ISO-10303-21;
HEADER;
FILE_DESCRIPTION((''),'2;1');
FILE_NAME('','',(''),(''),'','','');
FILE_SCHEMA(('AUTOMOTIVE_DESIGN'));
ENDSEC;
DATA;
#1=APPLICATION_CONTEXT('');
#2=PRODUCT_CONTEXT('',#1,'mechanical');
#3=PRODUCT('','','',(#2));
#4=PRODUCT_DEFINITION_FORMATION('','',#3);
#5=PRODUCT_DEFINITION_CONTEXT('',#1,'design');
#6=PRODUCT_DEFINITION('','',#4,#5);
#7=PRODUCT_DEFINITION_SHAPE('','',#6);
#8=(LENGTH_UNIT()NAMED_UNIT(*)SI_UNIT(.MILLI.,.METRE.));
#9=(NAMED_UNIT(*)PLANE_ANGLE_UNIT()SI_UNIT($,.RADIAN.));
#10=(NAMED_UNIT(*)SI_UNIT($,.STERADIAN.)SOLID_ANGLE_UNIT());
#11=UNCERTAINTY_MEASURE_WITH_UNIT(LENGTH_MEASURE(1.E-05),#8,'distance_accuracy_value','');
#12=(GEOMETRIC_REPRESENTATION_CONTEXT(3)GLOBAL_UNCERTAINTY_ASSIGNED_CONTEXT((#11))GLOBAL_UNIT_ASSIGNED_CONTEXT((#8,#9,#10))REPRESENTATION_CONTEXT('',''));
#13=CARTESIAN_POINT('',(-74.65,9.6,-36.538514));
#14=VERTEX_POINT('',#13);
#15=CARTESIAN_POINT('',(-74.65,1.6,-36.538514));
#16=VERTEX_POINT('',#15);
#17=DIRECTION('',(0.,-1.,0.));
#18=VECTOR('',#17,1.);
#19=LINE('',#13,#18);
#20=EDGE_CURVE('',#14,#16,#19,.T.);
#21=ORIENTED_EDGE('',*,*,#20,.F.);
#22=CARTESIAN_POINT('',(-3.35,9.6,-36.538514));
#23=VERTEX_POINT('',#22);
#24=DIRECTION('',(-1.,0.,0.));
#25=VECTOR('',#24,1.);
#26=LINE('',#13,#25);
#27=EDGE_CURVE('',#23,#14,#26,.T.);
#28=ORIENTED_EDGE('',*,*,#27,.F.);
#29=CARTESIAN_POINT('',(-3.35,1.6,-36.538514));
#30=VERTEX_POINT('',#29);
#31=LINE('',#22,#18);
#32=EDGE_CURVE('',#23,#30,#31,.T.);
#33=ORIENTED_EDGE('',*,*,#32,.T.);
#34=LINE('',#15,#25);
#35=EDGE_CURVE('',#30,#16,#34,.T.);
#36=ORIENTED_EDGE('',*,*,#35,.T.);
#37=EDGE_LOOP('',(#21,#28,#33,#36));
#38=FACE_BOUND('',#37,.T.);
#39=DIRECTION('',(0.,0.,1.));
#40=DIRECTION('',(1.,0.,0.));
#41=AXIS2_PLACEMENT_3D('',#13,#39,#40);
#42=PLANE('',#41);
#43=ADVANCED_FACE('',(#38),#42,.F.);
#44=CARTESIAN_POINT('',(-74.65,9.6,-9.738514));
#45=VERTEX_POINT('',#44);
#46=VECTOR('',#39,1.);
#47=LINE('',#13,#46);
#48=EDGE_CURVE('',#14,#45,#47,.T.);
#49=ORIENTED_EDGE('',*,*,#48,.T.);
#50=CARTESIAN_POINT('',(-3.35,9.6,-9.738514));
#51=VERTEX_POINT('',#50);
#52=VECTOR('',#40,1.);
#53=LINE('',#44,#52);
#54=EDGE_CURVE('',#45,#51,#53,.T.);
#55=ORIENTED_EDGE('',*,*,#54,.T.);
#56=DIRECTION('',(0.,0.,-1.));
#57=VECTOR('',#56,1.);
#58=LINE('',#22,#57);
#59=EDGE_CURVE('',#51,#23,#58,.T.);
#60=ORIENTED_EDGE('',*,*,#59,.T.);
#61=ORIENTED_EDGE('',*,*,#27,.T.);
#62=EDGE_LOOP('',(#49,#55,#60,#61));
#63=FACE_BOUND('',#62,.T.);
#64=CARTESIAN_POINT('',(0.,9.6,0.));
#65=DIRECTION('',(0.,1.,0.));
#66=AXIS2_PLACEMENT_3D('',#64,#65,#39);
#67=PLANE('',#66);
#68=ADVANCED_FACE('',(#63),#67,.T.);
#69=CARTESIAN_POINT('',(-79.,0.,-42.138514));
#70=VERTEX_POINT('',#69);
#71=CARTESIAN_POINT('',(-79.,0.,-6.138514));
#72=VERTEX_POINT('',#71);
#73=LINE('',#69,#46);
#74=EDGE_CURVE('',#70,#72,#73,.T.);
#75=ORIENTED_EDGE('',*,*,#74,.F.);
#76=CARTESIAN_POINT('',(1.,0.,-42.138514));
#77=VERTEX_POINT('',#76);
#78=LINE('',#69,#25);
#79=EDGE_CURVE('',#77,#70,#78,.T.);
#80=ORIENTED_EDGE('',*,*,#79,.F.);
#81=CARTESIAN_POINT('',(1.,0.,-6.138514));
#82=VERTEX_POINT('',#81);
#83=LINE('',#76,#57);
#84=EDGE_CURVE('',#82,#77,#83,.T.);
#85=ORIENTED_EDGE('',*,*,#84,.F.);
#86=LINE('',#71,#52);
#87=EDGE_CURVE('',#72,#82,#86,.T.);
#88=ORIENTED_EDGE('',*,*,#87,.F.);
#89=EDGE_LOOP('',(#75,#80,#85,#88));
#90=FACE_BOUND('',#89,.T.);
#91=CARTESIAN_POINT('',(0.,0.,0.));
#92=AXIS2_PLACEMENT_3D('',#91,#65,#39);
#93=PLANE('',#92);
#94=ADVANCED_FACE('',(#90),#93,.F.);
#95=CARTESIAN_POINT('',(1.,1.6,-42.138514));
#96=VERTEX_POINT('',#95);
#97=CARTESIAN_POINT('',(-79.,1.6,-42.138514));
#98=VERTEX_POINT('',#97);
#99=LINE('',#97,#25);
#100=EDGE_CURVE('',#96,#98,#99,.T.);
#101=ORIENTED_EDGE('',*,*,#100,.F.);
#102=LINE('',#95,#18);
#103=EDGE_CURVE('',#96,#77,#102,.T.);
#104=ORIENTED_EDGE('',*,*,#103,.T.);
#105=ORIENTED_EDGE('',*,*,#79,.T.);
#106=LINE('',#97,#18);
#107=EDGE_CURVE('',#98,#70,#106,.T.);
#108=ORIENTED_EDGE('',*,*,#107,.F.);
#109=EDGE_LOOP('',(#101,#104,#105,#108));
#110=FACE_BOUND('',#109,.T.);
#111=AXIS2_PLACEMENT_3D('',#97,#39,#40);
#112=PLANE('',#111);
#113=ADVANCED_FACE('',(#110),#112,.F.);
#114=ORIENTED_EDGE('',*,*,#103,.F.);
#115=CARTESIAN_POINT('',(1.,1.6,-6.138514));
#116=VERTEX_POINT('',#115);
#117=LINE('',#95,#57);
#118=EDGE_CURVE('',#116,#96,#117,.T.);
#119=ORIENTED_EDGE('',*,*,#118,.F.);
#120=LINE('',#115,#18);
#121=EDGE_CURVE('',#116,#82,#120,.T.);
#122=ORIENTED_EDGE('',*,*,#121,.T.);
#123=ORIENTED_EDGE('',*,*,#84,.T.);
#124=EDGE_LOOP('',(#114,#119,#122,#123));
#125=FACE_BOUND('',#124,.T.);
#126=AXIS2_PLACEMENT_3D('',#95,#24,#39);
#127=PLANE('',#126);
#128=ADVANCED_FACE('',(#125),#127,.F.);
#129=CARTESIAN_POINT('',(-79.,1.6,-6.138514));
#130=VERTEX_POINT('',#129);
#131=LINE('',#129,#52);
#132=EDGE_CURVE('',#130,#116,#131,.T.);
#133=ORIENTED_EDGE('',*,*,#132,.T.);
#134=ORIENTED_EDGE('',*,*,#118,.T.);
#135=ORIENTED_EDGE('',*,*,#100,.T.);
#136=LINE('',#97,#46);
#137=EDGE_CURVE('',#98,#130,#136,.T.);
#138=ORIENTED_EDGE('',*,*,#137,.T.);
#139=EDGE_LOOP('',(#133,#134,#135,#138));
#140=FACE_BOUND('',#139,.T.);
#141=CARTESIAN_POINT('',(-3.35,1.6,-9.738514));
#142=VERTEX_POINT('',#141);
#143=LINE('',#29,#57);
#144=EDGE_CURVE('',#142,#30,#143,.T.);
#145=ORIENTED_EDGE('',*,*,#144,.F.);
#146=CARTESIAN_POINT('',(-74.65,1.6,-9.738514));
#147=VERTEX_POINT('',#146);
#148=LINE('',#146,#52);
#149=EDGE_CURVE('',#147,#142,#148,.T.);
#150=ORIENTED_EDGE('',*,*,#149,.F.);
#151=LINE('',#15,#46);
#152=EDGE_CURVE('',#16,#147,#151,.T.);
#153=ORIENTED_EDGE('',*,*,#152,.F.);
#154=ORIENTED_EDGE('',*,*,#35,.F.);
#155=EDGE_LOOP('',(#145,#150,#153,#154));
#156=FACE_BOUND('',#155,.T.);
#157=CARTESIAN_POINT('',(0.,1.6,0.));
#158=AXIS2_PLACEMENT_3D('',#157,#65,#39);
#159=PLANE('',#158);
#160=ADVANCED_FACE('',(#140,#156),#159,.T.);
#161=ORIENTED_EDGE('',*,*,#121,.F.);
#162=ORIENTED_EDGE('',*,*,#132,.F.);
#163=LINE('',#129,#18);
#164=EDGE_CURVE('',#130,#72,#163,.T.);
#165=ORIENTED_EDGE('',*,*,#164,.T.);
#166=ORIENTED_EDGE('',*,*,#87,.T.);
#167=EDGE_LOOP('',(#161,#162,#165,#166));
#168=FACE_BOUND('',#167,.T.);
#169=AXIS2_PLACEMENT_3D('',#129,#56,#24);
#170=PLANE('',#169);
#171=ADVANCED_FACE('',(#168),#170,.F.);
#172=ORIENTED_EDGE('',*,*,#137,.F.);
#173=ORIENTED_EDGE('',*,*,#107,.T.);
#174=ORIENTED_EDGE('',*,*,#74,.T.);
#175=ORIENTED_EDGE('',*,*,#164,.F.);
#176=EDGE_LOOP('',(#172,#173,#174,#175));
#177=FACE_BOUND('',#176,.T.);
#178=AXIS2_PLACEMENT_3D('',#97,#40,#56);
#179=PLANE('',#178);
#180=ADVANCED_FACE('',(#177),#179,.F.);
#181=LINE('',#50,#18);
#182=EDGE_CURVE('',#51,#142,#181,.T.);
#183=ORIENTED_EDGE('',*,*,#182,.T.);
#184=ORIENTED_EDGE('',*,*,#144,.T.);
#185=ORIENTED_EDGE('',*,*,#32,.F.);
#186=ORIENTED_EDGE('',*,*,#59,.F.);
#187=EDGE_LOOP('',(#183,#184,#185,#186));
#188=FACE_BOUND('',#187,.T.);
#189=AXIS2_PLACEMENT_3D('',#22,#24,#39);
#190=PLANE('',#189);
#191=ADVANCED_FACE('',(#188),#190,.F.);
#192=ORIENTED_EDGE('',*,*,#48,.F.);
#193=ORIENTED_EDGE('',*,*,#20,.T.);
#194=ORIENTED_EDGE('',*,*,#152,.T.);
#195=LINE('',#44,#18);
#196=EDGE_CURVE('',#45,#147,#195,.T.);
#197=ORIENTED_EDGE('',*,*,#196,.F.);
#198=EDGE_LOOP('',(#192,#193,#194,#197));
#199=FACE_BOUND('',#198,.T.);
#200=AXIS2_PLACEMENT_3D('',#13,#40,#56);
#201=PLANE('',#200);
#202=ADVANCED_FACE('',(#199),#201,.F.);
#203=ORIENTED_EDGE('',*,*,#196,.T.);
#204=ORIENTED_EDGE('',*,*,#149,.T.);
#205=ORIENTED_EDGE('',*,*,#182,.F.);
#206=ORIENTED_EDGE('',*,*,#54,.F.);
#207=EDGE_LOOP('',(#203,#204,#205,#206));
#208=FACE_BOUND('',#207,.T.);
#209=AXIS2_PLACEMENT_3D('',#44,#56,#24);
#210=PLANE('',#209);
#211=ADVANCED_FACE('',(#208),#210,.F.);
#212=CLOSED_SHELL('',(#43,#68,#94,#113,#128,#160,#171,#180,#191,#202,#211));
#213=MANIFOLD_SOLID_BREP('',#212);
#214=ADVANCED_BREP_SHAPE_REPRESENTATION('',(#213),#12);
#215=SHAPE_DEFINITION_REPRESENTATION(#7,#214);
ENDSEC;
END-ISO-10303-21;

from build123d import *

# Parameters (mm, degrees)
SKETCH1_W           = 80
SKETCH1_H           = 36
BOSS_EXTRUDE1_DEPTH = 1.6
SKETCH2_W           = 71.3
SKETCH2_H           = 26.8
BOSS_EXTRUDE2_DEPTH = 8


with BuildPart() as part:
    # Sketch1 → Boss-Extrude1 (new body)
    with BuildSketch(Plane(origin=(0, 0, 0), x_dir=(1, 0, 0), z_dir=(0, 1, 0))):
        with Locations((-39, 24.138513514)):
            Rectangle(SKETCH1_W, SKETCH1_H)
    extrude(amount=BOSS_EXTRUDE1_DEPTH)

    # Sketch2 → Boss-Extrude2 (add)
    with BuildSketch(Plane(origin=(0, 1.6, 0), x_dir=(1, 0, 0), z_dir=(0, 1, 0))):
        with Locations((-39, 23.138513514)):
            Rectangle(SKETCH2_W, SKETCH2_H)
    extrude(amount=BOSS_EXTRUDE2_DEPTH)


solid = part.part
